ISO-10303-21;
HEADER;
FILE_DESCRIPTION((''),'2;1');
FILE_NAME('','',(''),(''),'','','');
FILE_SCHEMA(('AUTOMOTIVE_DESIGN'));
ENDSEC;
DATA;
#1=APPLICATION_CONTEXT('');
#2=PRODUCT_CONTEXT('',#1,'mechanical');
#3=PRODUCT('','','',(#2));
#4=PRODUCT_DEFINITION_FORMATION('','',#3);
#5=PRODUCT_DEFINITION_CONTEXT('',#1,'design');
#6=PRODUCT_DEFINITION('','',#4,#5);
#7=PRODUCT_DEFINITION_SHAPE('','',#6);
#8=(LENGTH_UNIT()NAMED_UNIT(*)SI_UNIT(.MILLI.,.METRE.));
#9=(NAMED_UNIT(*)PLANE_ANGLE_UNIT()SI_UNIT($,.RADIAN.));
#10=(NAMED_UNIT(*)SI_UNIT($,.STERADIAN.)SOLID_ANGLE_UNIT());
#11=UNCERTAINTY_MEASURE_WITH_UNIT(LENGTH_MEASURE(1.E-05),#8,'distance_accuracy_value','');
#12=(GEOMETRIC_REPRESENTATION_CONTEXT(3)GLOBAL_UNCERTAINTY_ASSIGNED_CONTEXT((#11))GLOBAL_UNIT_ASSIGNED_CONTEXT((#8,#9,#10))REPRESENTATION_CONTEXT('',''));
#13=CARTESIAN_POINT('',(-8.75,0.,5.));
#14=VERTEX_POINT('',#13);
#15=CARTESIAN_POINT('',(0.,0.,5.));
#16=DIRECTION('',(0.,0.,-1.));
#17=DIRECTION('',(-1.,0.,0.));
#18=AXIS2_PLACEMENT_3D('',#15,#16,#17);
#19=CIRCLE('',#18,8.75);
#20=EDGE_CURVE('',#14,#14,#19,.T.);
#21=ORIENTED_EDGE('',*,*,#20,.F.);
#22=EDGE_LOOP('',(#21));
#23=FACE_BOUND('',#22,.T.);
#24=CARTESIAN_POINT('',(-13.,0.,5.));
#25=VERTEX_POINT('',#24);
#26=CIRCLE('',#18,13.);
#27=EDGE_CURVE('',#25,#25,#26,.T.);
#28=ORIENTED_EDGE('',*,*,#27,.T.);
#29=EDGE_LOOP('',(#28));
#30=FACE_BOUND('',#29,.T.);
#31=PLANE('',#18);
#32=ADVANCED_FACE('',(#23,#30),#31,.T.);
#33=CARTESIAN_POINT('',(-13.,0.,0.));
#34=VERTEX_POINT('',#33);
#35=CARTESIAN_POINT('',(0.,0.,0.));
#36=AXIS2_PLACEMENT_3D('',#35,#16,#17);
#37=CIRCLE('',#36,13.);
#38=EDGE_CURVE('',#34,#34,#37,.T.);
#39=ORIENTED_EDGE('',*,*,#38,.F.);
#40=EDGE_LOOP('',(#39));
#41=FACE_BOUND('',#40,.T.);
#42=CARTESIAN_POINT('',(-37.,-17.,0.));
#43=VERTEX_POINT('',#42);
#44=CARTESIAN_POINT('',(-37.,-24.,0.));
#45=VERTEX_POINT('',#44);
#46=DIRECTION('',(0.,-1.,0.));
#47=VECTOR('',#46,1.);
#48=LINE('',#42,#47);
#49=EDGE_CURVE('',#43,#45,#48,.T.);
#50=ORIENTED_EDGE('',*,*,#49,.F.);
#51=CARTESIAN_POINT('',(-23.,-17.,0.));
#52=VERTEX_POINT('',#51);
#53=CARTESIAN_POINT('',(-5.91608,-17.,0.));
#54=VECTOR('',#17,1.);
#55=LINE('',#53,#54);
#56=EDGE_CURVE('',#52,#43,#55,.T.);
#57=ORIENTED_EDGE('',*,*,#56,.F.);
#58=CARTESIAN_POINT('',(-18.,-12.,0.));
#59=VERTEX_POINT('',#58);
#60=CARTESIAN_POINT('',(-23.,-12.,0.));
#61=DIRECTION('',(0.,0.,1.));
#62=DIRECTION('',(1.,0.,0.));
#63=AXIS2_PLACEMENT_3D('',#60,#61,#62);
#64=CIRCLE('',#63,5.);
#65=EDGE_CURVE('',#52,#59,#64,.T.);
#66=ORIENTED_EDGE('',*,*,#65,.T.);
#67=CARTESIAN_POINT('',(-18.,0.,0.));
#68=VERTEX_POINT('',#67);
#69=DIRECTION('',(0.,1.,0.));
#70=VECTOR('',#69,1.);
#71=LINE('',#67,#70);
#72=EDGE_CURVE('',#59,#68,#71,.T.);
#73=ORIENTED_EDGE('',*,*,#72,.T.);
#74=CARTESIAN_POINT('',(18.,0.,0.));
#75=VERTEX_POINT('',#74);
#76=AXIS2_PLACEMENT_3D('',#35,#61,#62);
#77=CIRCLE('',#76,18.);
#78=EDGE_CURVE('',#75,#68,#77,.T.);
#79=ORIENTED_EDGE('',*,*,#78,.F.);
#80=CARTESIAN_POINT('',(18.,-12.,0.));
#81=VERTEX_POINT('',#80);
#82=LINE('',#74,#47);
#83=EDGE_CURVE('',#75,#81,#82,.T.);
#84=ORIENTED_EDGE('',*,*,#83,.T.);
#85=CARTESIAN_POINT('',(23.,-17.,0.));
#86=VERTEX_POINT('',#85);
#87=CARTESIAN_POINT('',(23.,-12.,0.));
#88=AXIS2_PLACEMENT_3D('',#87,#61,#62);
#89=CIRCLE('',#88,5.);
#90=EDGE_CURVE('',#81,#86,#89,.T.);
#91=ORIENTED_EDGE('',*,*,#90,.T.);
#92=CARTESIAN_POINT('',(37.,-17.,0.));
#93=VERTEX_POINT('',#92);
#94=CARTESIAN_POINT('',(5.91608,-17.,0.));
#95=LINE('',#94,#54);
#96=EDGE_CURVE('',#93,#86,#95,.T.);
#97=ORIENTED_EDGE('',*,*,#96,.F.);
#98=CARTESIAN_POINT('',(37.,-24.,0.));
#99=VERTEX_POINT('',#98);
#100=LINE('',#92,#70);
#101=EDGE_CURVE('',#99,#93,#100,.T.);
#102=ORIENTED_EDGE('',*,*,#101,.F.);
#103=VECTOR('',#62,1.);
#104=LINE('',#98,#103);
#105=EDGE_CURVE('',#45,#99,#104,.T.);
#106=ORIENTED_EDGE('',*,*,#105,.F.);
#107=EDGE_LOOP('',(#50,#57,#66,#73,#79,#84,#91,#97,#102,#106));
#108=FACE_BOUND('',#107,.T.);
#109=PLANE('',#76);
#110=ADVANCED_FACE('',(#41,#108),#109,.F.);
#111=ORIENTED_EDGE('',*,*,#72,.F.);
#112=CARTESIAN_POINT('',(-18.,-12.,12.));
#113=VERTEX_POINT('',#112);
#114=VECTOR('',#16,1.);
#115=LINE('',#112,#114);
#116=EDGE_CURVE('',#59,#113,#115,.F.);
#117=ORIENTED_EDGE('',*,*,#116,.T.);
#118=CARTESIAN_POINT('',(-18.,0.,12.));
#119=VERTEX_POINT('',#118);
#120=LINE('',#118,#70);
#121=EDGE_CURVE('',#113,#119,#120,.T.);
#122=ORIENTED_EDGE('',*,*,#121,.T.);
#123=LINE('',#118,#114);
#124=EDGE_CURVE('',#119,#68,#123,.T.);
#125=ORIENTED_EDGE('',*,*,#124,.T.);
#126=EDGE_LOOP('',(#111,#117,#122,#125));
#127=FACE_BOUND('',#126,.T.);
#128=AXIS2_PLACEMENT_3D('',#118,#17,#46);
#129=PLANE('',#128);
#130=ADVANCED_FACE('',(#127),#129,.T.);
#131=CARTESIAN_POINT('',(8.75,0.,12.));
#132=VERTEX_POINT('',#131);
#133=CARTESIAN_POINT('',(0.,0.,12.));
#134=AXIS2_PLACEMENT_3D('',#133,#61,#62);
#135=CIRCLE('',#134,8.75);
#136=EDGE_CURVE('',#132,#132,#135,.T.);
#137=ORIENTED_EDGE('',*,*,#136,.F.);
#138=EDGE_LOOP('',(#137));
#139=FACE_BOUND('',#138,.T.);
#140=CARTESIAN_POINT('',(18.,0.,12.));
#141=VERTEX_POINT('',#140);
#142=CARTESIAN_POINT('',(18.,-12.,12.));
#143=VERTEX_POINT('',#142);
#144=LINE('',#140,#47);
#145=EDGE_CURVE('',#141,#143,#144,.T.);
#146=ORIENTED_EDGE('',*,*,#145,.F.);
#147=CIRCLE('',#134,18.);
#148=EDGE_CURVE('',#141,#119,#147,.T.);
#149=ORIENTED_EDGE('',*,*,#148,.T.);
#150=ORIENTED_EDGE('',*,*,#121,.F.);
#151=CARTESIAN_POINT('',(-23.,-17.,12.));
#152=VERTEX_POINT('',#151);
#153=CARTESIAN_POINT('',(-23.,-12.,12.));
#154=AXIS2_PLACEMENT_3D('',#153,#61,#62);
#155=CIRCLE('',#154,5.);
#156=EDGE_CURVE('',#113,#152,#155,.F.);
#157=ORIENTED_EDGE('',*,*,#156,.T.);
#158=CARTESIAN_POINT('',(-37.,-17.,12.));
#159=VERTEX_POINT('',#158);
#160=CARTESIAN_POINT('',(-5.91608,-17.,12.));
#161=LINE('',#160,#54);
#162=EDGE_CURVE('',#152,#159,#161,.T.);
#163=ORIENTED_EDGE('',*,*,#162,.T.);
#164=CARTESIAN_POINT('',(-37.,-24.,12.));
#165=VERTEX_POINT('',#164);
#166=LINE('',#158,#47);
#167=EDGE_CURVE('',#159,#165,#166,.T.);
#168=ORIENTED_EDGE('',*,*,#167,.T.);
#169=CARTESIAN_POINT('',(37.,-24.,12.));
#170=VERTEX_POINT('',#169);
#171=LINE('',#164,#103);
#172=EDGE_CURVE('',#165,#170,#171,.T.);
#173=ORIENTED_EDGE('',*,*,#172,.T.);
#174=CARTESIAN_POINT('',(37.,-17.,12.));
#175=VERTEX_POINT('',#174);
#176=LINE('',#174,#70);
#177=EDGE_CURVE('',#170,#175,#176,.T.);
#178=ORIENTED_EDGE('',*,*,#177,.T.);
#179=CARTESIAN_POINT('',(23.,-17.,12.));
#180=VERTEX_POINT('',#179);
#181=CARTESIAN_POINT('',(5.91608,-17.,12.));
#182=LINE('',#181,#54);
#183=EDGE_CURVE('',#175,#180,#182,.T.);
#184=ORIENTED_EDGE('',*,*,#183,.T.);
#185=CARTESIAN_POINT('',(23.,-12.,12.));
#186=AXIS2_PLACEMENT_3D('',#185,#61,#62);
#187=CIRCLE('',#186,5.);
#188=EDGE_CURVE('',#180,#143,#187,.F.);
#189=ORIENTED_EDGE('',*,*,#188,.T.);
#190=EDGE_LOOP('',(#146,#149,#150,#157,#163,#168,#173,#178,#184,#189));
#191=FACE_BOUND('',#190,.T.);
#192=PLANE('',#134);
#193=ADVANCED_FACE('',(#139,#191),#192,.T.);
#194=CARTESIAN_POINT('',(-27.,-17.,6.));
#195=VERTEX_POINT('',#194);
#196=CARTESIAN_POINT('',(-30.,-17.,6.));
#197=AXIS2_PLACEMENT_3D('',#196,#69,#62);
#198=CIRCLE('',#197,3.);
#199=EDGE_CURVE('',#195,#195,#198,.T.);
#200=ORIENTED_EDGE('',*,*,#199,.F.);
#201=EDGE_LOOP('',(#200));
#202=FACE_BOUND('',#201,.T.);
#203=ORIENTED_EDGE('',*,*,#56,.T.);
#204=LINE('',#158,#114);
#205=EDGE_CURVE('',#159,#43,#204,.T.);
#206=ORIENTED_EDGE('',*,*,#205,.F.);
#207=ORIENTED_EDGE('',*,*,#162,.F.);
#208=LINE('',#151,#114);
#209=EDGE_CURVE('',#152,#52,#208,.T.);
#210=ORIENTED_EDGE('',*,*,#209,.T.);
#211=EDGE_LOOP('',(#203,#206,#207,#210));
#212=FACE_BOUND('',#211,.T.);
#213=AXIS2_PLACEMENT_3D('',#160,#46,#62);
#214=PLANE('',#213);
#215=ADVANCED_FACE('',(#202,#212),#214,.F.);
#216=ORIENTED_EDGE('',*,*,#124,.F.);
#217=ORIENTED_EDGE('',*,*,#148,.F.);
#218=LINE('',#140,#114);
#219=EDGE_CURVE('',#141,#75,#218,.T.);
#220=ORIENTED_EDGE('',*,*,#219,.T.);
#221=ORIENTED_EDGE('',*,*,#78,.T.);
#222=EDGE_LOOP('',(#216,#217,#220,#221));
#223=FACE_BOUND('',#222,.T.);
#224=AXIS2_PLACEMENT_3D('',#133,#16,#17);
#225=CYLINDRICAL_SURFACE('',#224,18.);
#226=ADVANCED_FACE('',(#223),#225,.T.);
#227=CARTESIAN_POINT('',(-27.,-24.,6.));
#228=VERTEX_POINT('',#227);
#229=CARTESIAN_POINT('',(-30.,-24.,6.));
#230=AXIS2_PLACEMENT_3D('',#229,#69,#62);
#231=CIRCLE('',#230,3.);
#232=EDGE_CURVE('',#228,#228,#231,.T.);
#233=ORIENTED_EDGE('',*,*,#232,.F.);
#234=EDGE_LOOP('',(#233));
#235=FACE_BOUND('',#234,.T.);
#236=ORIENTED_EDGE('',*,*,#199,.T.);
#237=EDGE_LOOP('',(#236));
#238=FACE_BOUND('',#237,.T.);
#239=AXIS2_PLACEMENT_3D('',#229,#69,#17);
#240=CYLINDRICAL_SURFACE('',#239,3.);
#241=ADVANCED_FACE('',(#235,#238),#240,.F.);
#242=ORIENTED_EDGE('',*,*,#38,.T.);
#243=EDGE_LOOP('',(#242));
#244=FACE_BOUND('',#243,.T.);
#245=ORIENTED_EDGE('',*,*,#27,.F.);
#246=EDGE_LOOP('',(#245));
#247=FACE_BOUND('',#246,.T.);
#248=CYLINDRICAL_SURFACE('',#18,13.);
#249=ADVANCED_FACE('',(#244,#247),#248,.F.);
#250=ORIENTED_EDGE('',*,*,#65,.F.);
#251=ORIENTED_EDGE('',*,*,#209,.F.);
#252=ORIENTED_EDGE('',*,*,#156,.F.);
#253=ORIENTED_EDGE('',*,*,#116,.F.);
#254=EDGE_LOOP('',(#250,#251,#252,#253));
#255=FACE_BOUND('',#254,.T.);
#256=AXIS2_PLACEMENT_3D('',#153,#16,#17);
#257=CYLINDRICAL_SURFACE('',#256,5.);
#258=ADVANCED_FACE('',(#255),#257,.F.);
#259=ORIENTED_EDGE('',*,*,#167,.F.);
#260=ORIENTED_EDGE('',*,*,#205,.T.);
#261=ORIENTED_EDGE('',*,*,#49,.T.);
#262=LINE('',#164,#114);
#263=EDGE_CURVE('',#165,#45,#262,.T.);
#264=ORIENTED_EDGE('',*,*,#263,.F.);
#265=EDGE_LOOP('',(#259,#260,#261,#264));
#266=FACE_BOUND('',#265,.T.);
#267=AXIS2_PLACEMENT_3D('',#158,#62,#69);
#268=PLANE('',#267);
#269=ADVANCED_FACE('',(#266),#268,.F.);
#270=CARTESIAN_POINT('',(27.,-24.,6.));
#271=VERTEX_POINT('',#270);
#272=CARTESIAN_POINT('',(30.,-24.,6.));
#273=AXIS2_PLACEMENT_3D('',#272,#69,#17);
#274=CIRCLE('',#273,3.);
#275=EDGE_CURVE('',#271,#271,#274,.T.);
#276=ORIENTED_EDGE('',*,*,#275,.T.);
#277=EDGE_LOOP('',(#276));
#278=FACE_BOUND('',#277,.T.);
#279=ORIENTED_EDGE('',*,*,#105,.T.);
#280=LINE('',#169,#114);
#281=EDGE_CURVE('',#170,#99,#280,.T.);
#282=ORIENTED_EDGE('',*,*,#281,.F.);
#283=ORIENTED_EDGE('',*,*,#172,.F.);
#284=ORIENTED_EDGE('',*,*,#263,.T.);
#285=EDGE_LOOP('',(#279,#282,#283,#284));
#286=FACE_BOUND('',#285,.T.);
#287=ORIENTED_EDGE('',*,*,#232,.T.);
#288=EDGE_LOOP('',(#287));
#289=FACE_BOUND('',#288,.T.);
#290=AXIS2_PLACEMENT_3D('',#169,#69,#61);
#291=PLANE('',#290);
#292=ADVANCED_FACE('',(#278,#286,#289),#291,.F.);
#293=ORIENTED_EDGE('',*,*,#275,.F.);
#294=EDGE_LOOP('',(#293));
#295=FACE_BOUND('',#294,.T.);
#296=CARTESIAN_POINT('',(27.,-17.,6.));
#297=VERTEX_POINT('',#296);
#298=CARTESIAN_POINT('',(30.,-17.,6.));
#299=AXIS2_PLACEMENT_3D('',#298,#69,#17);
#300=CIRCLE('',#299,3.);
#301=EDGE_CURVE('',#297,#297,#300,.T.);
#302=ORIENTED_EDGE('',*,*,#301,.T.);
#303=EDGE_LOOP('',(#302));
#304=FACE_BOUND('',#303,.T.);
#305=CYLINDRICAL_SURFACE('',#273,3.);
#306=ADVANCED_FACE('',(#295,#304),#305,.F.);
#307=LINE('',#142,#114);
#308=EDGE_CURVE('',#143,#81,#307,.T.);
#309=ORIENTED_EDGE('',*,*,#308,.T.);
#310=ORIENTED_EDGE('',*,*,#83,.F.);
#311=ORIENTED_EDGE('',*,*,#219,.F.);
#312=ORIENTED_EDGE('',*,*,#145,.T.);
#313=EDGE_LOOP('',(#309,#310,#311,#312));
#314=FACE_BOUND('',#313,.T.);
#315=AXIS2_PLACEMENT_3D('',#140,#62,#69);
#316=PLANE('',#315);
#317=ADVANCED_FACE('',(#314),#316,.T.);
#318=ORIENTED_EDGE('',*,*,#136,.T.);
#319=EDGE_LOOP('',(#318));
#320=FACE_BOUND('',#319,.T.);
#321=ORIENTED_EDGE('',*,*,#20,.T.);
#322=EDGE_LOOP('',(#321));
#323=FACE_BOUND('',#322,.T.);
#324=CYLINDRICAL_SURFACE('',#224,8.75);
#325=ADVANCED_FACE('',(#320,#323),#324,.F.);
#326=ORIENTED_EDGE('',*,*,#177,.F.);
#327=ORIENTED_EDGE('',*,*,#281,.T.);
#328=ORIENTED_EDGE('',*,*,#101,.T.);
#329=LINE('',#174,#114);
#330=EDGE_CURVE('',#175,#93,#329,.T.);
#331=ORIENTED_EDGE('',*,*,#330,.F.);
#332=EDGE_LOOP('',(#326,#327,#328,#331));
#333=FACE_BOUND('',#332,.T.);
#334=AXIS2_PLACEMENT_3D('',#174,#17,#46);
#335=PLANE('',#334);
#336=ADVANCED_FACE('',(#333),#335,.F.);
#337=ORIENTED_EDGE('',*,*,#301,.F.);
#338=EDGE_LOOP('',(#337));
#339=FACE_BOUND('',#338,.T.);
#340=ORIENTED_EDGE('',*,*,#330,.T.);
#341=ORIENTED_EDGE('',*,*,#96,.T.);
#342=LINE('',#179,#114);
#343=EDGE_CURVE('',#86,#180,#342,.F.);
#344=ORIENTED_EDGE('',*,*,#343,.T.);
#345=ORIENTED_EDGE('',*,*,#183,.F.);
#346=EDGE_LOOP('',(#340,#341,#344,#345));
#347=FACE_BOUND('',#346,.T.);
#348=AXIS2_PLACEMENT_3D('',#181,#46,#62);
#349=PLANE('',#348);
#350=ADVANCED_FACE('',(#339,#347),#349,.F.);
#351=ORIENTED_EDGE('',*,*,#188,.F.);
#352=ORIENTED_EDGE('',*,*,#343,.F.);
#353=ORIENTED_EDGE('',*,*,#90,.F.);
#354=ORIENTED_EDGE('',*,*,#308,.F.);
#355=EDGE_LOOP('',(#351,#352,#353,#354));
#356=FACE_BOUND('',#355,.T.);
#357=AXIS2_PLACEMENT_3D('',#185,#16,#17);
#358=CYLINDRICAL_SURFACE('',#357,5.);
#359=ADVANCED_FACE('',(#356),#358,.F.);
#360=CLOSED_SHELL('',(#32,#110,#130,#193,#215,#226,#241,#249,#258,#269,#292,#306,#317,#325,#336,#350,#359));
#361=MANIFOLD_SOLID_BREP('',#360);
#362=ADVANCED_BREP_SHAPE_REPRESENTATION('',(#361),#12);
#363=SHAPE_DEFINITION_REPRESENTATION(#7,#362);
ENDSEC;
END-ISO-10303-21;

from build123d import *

# Parameters (mm, degrees)
SKETCH1_R           = 8.75
BOSS_EXTRUDE1_DEPTH = 12
SKETCH2_R           = 3
CUT_EXTRUDE1_DEPTH  = 8
SKETCH3_R           = 13
CUT_EXTRUDE2_DEPTH  = 5
BOSS_EXTRUDE2_DEPTH = 12
FILLET2_R           = 5


with BuildPart() as part:
    # Sketch1 → Boss-Extrude1 (new body)
    with BuildSketch(Plane.XY):
        with BuildLine():
            Line((-5.916079783, -17), (-37, -17))
            Line((-37, -17), (-37, -24))
            Line((-37, -24), (0, -24))
            Line((0, -24), (37, -24))
            Line((37, -24), (37, -17))
            Line((37, -17), (5.916079783, -17))
            ThreePointArc((5.916079783, -17), (0, 18), (-5.916079783, -17))
        make_face()
        Circle(SKETCH1_R, mode=Mode.SUBTRACT)
    extrude(amount=BOSS_EXTRUDE1_DEPTH)

    # Sketch2 → Cut-Extrude1 (cut, through all)
    with BuildSketch(Plane(origin=(0, -17, 0), x_dir=(1, 0, 0), z_dir=(0, 1, 0))):
        with Locations((30, -6)):
            Circle(SKETCH2_R)
        with Locations((-30, -6)):
            Circle(SKETCH2_R)
    extrude(amount=-CUT_EXTRUDE1_DEPTH, mode=Mode.SUBTRACT)

    # Sketch3 → Cut-Extrude2 (cut)
    with BuildSketch(Plane(origin=(0, 0, 0), x_dir=(-1, 0, 0), z_dir=(0, 0, -1))):
        Circle(SKETCH3_R)
    extrude(amount=-CUT_EXTRUDE2_DEPTH, mode=Mode.SUBTRACT)

    # Sketch4 → Boss-Extrude2 (add, through all)
    with BuildSketch(Plane(origin=(0, 0, 0), x_dir=(-1, 0, 0), z_dir=(0, 0, -1))):
        Polygon((-18, 0), (-5.916079783, -17), (-18, -17), align=None)
        Polygon((18, 0), (18, -17), (5.916079783, -17), align=None)
    extrude(amount=-BOSS_EXTRUDE2_DEPTH)

    # Fillet2
    fillet2_edges = [part.edges().sort_by_distance(p)[0] for p in [
        (-18, -17, 6),
        (18, -17, 6),
    ]]
    fillet(fillet2_edges, radius=FILLET2_R)


solid = part.part
